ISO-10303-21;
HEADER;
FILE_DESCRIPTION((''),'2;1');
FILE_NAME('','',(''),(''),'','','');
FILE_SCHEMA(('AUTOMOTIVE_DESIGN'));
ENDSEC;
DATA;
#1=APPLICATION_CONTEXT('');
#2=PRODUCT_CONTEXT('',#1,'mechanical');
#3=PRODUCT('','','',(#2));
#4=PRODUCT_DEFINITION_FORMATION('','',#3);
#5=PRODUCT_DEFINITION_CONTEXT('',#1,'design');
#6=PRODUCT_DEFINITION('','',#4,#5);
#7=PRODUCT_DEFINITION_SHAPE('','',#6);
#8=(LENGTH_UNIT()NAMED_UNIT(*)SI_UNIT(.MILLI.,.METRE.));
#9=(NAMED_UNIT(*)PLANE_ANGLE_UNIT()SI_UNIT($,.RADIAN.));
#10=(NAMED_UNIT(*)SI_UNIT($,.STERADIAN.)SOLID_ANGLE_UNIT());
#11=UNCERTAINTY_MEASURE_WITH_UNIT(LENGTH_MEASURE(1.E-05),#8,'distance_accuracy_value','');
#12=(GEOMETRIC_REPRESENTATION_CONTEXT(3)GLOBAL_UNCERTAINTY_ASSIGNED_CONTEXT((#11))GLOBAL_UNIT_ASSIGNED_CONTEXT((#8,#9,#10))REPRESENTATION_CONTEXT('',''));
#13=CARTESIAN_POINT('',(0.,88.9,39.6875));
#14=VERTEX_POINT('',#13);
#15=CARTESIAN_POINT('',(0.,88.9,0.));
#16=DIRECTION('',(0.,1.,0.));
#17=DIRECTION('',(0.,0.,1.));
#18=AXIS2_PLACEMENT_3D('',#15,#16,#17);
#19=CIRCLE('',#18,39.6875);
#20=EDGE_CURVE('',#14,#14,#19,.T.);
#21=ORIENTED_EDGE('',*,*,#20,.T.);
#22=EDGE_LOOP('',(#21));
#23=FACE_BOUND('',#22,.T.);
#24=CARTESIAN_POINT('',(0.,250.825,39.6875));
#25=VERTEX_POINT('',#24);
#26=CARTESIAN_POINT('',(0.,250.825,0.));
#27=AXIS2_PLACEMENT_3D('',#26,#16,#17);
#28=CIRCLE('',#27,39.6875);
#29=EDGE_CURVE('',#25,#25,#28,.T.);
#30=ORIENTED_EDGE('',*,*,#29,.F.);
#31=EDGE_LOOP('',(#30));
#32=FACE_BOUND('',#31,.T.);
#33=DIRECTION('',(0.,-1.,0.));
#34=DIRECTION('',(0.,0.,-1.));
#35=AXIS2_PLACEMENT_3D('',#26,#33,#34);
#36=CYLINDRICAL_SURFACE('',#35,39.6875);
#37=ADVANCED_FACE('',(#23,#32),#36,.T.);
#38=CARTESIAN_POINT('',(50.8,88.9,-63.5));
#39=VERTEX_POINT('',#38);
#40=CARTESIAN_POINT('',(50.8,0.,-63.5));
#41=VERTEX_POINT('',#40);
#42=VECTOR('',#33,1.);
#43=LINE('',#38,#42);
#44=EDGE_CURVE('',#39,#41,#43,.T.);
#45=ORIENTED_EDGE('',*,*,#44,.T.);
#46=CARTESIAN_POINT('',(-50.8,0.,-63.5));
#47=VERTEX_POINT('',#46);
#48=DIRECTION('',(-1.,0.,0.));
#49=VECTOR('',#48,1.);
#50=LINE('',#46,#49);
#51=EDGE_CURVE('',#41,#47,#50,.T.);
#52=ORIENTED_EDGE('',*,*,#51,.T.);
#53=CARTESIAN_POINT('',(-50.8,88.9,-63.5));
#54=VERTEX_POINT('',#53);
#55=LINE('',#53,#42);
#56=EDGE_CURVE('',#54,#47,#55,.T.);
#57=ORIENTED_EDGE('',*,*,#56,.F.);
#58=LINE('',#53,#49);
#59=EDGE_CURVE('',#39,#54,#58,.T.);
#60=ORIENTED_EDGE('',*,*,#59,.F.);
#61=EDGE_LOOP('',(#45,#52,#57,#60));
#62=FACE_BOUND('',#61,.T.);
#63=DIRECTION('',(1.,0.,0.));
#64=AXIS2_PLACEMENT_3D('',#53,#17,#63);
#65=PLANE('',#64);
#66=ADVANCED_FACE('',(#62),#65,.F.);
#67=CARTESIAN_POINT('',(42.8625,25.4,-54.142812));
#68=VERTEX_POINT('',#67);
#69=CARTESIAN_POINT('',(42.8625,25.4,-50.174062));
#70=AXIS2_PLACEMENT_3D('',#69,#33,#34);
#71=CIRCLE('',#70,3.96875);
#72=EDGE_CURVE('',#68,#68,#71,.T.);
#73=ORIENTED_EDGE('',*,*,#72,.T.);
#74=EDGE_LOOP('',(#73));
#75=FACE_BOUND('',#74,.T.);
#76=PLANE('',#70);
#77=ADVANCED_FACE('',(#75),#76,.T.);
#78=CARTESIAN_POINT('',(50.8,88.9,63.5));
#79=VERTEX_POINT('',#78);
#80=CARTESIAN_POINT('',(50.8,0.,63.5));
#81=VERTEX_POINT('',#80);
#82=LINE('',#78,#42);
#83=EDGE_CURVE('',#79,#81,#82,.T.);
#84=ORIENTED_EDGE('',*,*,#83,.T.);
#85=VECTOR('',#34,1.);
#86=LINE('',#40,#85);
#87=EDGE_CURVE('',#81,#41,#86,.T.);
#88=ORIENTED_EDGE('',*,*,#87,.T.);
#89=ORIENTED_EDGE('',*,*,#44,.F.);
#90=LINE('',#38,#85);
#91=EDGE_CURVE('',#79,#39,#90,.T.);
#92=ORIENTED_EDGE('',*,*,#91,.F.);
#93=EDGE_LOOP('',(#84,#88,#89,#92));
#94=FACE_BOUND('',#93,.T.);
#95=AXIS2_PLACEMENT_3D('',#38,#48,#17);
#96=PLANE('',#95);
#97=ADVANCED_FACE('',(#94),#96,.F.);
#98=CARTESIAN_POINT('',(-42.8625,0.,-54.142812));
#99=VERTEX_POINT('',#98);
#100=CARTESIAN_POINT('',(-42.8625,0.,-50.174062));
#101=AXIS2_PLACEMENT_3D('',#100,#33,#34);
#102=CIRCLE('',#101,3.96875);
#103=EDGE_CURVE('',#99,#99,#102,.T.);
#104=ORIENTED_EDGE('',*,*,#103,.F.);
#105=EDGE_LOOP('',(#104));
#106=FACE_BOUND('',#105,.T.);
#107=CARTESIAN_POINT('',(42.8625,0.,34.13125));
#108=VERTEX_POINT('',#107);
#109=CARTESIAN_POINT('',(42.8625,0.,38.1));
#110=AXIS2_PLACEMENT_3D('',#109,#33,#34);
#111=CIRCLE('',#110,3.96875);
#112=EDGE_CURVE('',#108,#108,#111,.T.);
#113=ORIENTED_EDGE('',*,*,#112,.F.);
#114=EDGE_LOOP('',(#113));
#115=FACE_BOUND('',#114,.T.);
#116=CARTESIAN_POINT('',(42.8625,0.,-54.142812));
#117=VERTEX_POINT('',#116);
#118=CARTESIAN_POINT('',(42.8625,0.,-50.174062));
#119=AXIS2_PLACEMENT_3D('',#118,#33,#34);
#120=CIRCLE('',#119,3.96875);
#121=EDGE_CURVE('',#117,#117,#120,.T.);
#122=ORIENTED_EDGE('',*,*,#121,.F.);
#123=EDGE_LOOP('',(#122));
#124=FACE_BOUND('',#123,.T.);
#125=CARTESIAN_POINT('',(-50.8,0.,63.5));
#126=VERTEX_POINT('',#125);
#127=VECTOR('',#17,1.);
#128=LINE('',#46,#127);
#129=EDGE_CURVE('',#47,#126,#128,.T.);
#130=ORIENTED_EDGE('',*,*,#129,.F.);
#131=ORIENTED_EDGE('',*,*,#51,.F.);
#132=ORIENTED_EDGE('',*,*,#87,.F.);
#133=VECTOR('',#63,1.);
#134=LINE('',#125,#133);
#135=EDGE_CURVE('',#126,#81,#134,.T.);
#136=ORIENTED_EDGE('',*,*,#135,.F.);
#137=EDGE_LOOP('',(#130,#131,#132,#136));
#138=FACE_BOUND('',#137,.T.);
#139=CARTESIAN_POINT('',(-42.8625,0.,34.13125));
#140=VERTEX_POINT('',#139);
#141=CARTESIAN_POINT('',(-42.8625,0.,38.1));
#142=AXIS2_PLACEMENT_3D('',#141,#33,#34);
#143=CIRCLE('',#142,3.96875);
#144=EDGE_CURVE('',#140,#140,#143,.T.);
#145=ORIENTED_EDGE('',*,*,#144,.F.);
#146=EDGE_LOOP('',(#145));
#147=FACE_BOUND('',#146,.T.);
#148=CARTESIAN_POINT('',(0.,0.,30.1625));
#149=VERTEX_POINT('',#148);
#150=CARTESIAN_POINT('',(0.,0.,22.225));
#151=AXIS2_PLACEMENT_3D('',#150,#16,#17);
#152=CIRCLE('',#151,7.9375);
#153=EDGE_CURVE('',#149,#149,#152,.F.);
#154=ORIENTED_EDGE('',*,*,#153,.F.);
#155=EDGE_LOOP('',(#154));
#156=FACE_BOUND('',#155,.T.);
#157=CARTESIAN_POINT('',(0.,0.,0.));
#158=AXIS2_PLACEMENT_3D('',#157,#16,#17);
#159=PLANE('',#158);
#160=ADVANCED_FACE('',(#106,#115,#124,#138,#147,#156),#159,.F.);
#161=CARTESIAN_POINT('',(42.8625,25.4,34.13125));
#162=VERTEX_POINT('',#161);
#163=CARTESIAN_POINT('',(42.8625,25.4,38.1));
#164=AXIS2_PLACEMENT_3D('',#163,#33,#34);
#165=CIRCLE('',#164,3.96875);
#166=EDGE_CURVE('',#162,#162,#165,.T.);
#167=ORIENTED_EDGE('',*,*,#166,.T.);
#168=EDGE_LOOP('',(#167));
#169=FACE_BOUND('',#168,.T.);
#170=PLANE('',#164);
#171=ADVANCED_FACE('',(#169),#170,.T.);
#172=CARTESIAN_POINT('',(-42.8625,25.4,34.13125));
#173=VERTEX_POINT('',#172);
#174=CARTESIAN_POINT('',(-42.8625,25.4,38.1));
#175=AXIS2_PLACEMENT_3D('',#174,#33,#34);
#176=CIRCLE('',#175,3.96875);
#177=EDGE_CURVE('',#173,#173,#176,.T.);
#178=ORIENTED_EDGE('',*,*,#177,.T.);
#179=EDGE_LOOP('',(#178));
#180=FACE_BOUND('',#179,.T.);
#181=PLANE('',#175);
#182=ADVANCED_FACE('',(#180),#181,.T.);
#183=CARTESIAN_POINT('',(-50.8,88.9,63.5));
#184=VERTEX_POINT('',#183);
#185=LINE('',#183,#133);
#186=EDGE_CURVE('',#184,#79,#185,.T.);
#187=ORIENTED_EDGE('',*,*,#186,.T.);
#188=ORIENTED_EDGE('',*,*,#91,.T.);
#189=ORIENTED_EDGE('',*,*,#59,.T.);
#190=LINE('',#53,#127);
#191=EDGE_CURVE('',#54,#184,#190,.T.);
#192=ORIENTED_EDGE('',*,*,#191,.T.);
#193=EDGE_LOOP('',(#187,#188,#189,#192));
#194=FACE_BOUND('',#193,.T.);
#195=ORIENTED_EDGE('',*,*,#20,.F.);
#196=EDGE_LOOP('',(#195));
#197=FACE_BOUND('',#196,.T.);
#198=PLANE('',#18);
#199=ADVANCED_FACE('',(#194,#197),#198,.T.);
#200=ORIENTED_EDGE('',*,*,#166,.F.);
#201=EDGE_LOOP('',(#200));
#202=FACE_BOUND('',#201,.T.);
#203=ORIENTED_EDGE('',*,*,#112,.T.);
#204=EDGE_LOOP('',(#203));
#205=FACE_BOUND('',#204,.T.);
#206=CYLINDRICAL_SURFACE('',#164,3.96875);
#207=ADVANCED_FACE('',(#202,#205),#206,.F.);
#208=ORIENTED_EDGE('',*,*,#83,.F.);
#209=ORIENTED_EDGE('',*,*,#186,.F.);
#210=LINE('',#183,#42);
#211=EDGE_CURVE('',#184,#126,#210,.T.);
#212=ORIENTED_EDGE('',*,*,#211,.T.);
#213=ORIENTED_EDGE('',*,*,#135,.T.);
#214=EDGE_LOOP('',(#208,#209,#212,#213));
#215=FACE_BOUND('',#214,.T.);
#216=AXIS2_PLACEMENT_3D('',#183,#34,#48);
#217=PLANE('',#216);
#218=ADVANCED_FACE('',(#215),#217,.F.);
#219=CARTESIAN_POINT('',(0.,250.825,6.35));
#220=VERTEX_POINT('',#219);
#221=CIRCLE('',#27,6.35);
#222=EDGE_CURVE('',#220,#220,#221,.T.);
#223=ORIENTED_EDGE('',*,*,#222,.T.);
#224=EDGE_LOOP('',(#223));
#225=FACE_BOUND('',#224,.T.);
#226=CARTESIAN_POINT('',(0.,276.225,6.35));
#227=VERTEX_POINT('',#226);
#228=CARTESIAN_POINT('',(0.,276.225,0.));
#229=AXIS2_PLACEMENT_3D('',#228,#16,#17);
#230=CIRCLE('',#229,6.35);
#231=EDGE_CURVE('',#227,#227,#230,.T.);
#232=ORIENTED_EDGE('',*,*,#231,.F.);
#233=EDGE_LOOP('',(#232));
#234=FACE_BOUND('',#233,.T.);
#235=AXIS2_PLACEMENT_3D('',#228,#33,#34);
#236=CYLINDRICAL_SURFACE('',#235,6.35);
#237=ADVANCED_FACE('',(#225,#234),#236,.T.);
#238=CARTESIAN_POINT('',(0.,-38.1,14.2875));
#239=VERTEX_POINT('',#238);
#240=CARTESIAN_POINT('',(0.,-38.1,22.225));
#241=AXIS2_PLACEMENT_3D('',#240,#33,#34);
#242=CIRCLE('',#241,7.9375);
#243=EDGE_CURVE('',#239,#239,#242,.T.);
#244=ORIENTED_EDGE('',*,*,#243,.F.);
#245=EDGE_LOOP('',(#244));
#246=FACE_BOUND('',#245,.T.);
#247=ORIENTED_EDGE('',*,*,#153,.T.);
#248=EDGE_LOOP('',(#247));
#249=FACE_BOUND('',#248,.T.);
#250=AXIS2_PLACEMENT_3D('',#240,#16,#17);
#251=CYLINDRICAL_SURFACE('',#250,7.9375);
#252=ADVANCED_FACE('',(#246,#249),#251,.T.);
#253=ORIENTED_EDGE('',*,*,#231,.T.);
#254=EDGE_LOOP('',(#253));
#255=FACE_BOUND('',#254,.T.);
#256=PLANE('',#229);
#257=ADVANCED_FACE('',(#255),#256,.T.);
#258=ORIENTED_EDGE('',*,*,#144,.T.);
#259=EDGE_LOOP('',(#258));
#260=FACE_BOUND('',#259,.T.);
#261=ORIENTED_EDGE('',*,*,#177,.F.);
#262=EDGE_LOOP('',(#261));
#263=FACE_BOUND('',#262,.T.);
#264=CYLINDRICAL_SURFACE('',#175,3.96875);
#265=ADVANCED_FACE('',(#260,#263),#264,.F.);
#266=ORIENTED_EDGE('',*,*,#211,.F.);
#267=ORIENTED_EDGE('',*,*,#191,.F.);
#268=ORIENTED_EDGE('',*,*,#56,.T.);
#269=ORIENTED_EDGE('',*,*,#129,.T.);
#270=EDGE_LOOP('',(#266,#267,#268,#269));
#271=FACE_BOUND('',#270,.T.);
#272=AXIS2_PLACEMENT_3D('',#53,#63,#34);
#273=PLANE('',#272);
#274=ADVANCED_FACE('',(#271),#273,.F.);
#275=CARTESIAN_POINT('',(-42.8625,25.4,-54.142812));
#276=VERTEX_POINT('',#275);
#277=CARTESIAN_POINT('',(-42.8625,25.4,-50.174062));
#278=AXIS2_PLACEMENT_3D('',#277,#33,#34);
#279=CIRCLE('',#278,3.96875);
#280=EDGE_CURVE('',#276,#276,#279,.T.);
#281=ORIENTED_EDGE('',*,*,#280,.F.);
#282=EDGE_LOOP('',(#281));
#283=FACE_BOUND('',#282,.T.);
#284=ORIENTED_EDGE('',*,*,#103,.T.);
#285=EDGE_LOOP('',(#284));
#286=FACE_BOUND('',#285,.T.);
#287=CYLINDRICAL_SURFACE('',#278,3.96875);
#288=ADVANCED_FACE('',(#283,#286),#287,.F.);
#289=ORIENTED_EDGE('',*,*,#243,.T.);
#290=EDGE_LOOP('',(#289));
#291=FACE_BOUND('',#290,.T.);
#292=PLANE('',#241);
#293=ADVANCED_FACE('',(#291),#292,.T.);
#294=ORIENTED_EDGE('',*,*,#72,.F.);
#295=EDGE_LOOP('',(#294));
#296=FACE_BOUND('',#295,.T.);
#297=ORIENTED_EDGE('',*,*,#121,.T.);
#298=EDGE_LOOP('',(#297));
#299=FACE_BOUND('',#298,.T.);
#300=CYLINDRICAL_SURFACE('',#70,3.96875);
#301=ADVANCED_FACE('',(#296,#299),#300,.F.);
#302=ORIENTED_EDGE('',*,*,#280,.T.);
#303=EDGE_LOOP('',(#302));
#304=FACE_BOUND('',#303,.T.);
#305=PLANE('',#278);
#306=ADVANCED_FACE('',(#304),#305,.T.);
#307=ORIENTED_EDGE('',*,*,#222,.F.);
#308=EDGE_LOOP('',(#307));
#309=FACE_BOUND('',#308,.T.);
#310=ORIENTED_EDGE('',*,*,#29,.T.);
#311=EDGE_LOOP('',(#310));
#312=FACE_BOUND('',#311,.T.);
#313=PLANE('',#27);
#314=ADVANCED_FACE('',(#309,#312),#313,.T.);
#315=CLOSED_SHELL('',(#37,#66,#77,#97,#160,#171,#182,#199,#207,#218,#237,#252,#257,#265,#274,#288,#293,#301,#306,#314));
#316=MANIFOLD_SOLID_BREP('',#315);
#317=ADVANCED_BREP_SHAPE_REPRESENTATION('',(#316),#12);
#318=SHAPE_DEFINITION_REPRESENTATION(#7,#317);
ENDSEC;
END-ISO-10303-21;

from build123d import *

# Parameters (mm, degrees)
SKETCH1_W           = 101.6
SKETCH1_H           = 127
BOSS_EXTRUDE2_DEPTH = 88.9
SKETCH3_R           = 39.6875
BOSS_EXTRUDE3_DEPTH = 161.925
SKETCH4_R           = 6.35
BOSS_EXTRUDE4_DEPTH = 25.4
SKETCH5_R           = 7.9375
BOSS_EXTRUDE5_DEPTH = 38.1
SKETCH6_R           = 3.96875
CUT_EXTRUDE1_DEPTH  = 25.4


with BuildPart() as part:
    # Sketch1 → Boss-Extrude2 (new body)
    with BuildSketch(Plane(origin=(0, 0, 0), x_dir=(1, 0, 0), z_dir=(0, 1, 0))):
        Rectangle(SKETCH1_W, SKETCH1_H)
    extrude(amount=BOSS_EXTRUDE2_DEPTH)

    # Sketch3 → Boss-Extrude3 (add)
    with BuildSketch(Plane(origin=(0, 88.9, 0), x_dir=(1, 0, 0), z_dir=(0, 1, 0))):
        Circle(SKETCH3_R)
    extrude(amount=BOSS_EXTRUDE3_DEPTH)

    # Sketch4 → Boss-Extrude4 (add)
    with BuildSketch(Plane(origin=(0, 250.825, 0), x_dir=(1, 0, 0), z_dir=(0, 1, 0))):
        Circle(SKETCH4_R)
    extrude(amount=BOSS_EXTRUDE4_DEPTH)

    # Sketch5 → Boss-Extrude5 (add)
    with BuildSketch(Plane(origin=(0, 0, 0), x_dir=(-1, 0, 0), z_dir=(0, -1, 0))):
        with Locations((0, -22.225)):
            Circle(SKETCH5_R)
    extrude(amount=BOSS_EXTRUDE5_DEPTH)

    # Sketch6 → Cut-Extrude1 (cut)
    with BuildSketch(Plane(origin=(0, 0, 0), x_dir=(-1, 0, 0), z_dir=(0, -1, 0))):
        with Locations((42.8625, -38.1)):
            Circle(SKETCH6_R)
        with Locations((-42.8625, -38.1)):
            Circle(SKETCH6_R)
        with Locations((42.8625, 50.174061918)):
            Circle(SKETCH6_R)
        with Locations((-42.8625, 50.174061918)):
            Circle(SKETCH6_R)
    extrude(amount=-CUT_EXTRUDE1_DEPTH, mode=Mode.SUBTRACT)


solid = part.part
